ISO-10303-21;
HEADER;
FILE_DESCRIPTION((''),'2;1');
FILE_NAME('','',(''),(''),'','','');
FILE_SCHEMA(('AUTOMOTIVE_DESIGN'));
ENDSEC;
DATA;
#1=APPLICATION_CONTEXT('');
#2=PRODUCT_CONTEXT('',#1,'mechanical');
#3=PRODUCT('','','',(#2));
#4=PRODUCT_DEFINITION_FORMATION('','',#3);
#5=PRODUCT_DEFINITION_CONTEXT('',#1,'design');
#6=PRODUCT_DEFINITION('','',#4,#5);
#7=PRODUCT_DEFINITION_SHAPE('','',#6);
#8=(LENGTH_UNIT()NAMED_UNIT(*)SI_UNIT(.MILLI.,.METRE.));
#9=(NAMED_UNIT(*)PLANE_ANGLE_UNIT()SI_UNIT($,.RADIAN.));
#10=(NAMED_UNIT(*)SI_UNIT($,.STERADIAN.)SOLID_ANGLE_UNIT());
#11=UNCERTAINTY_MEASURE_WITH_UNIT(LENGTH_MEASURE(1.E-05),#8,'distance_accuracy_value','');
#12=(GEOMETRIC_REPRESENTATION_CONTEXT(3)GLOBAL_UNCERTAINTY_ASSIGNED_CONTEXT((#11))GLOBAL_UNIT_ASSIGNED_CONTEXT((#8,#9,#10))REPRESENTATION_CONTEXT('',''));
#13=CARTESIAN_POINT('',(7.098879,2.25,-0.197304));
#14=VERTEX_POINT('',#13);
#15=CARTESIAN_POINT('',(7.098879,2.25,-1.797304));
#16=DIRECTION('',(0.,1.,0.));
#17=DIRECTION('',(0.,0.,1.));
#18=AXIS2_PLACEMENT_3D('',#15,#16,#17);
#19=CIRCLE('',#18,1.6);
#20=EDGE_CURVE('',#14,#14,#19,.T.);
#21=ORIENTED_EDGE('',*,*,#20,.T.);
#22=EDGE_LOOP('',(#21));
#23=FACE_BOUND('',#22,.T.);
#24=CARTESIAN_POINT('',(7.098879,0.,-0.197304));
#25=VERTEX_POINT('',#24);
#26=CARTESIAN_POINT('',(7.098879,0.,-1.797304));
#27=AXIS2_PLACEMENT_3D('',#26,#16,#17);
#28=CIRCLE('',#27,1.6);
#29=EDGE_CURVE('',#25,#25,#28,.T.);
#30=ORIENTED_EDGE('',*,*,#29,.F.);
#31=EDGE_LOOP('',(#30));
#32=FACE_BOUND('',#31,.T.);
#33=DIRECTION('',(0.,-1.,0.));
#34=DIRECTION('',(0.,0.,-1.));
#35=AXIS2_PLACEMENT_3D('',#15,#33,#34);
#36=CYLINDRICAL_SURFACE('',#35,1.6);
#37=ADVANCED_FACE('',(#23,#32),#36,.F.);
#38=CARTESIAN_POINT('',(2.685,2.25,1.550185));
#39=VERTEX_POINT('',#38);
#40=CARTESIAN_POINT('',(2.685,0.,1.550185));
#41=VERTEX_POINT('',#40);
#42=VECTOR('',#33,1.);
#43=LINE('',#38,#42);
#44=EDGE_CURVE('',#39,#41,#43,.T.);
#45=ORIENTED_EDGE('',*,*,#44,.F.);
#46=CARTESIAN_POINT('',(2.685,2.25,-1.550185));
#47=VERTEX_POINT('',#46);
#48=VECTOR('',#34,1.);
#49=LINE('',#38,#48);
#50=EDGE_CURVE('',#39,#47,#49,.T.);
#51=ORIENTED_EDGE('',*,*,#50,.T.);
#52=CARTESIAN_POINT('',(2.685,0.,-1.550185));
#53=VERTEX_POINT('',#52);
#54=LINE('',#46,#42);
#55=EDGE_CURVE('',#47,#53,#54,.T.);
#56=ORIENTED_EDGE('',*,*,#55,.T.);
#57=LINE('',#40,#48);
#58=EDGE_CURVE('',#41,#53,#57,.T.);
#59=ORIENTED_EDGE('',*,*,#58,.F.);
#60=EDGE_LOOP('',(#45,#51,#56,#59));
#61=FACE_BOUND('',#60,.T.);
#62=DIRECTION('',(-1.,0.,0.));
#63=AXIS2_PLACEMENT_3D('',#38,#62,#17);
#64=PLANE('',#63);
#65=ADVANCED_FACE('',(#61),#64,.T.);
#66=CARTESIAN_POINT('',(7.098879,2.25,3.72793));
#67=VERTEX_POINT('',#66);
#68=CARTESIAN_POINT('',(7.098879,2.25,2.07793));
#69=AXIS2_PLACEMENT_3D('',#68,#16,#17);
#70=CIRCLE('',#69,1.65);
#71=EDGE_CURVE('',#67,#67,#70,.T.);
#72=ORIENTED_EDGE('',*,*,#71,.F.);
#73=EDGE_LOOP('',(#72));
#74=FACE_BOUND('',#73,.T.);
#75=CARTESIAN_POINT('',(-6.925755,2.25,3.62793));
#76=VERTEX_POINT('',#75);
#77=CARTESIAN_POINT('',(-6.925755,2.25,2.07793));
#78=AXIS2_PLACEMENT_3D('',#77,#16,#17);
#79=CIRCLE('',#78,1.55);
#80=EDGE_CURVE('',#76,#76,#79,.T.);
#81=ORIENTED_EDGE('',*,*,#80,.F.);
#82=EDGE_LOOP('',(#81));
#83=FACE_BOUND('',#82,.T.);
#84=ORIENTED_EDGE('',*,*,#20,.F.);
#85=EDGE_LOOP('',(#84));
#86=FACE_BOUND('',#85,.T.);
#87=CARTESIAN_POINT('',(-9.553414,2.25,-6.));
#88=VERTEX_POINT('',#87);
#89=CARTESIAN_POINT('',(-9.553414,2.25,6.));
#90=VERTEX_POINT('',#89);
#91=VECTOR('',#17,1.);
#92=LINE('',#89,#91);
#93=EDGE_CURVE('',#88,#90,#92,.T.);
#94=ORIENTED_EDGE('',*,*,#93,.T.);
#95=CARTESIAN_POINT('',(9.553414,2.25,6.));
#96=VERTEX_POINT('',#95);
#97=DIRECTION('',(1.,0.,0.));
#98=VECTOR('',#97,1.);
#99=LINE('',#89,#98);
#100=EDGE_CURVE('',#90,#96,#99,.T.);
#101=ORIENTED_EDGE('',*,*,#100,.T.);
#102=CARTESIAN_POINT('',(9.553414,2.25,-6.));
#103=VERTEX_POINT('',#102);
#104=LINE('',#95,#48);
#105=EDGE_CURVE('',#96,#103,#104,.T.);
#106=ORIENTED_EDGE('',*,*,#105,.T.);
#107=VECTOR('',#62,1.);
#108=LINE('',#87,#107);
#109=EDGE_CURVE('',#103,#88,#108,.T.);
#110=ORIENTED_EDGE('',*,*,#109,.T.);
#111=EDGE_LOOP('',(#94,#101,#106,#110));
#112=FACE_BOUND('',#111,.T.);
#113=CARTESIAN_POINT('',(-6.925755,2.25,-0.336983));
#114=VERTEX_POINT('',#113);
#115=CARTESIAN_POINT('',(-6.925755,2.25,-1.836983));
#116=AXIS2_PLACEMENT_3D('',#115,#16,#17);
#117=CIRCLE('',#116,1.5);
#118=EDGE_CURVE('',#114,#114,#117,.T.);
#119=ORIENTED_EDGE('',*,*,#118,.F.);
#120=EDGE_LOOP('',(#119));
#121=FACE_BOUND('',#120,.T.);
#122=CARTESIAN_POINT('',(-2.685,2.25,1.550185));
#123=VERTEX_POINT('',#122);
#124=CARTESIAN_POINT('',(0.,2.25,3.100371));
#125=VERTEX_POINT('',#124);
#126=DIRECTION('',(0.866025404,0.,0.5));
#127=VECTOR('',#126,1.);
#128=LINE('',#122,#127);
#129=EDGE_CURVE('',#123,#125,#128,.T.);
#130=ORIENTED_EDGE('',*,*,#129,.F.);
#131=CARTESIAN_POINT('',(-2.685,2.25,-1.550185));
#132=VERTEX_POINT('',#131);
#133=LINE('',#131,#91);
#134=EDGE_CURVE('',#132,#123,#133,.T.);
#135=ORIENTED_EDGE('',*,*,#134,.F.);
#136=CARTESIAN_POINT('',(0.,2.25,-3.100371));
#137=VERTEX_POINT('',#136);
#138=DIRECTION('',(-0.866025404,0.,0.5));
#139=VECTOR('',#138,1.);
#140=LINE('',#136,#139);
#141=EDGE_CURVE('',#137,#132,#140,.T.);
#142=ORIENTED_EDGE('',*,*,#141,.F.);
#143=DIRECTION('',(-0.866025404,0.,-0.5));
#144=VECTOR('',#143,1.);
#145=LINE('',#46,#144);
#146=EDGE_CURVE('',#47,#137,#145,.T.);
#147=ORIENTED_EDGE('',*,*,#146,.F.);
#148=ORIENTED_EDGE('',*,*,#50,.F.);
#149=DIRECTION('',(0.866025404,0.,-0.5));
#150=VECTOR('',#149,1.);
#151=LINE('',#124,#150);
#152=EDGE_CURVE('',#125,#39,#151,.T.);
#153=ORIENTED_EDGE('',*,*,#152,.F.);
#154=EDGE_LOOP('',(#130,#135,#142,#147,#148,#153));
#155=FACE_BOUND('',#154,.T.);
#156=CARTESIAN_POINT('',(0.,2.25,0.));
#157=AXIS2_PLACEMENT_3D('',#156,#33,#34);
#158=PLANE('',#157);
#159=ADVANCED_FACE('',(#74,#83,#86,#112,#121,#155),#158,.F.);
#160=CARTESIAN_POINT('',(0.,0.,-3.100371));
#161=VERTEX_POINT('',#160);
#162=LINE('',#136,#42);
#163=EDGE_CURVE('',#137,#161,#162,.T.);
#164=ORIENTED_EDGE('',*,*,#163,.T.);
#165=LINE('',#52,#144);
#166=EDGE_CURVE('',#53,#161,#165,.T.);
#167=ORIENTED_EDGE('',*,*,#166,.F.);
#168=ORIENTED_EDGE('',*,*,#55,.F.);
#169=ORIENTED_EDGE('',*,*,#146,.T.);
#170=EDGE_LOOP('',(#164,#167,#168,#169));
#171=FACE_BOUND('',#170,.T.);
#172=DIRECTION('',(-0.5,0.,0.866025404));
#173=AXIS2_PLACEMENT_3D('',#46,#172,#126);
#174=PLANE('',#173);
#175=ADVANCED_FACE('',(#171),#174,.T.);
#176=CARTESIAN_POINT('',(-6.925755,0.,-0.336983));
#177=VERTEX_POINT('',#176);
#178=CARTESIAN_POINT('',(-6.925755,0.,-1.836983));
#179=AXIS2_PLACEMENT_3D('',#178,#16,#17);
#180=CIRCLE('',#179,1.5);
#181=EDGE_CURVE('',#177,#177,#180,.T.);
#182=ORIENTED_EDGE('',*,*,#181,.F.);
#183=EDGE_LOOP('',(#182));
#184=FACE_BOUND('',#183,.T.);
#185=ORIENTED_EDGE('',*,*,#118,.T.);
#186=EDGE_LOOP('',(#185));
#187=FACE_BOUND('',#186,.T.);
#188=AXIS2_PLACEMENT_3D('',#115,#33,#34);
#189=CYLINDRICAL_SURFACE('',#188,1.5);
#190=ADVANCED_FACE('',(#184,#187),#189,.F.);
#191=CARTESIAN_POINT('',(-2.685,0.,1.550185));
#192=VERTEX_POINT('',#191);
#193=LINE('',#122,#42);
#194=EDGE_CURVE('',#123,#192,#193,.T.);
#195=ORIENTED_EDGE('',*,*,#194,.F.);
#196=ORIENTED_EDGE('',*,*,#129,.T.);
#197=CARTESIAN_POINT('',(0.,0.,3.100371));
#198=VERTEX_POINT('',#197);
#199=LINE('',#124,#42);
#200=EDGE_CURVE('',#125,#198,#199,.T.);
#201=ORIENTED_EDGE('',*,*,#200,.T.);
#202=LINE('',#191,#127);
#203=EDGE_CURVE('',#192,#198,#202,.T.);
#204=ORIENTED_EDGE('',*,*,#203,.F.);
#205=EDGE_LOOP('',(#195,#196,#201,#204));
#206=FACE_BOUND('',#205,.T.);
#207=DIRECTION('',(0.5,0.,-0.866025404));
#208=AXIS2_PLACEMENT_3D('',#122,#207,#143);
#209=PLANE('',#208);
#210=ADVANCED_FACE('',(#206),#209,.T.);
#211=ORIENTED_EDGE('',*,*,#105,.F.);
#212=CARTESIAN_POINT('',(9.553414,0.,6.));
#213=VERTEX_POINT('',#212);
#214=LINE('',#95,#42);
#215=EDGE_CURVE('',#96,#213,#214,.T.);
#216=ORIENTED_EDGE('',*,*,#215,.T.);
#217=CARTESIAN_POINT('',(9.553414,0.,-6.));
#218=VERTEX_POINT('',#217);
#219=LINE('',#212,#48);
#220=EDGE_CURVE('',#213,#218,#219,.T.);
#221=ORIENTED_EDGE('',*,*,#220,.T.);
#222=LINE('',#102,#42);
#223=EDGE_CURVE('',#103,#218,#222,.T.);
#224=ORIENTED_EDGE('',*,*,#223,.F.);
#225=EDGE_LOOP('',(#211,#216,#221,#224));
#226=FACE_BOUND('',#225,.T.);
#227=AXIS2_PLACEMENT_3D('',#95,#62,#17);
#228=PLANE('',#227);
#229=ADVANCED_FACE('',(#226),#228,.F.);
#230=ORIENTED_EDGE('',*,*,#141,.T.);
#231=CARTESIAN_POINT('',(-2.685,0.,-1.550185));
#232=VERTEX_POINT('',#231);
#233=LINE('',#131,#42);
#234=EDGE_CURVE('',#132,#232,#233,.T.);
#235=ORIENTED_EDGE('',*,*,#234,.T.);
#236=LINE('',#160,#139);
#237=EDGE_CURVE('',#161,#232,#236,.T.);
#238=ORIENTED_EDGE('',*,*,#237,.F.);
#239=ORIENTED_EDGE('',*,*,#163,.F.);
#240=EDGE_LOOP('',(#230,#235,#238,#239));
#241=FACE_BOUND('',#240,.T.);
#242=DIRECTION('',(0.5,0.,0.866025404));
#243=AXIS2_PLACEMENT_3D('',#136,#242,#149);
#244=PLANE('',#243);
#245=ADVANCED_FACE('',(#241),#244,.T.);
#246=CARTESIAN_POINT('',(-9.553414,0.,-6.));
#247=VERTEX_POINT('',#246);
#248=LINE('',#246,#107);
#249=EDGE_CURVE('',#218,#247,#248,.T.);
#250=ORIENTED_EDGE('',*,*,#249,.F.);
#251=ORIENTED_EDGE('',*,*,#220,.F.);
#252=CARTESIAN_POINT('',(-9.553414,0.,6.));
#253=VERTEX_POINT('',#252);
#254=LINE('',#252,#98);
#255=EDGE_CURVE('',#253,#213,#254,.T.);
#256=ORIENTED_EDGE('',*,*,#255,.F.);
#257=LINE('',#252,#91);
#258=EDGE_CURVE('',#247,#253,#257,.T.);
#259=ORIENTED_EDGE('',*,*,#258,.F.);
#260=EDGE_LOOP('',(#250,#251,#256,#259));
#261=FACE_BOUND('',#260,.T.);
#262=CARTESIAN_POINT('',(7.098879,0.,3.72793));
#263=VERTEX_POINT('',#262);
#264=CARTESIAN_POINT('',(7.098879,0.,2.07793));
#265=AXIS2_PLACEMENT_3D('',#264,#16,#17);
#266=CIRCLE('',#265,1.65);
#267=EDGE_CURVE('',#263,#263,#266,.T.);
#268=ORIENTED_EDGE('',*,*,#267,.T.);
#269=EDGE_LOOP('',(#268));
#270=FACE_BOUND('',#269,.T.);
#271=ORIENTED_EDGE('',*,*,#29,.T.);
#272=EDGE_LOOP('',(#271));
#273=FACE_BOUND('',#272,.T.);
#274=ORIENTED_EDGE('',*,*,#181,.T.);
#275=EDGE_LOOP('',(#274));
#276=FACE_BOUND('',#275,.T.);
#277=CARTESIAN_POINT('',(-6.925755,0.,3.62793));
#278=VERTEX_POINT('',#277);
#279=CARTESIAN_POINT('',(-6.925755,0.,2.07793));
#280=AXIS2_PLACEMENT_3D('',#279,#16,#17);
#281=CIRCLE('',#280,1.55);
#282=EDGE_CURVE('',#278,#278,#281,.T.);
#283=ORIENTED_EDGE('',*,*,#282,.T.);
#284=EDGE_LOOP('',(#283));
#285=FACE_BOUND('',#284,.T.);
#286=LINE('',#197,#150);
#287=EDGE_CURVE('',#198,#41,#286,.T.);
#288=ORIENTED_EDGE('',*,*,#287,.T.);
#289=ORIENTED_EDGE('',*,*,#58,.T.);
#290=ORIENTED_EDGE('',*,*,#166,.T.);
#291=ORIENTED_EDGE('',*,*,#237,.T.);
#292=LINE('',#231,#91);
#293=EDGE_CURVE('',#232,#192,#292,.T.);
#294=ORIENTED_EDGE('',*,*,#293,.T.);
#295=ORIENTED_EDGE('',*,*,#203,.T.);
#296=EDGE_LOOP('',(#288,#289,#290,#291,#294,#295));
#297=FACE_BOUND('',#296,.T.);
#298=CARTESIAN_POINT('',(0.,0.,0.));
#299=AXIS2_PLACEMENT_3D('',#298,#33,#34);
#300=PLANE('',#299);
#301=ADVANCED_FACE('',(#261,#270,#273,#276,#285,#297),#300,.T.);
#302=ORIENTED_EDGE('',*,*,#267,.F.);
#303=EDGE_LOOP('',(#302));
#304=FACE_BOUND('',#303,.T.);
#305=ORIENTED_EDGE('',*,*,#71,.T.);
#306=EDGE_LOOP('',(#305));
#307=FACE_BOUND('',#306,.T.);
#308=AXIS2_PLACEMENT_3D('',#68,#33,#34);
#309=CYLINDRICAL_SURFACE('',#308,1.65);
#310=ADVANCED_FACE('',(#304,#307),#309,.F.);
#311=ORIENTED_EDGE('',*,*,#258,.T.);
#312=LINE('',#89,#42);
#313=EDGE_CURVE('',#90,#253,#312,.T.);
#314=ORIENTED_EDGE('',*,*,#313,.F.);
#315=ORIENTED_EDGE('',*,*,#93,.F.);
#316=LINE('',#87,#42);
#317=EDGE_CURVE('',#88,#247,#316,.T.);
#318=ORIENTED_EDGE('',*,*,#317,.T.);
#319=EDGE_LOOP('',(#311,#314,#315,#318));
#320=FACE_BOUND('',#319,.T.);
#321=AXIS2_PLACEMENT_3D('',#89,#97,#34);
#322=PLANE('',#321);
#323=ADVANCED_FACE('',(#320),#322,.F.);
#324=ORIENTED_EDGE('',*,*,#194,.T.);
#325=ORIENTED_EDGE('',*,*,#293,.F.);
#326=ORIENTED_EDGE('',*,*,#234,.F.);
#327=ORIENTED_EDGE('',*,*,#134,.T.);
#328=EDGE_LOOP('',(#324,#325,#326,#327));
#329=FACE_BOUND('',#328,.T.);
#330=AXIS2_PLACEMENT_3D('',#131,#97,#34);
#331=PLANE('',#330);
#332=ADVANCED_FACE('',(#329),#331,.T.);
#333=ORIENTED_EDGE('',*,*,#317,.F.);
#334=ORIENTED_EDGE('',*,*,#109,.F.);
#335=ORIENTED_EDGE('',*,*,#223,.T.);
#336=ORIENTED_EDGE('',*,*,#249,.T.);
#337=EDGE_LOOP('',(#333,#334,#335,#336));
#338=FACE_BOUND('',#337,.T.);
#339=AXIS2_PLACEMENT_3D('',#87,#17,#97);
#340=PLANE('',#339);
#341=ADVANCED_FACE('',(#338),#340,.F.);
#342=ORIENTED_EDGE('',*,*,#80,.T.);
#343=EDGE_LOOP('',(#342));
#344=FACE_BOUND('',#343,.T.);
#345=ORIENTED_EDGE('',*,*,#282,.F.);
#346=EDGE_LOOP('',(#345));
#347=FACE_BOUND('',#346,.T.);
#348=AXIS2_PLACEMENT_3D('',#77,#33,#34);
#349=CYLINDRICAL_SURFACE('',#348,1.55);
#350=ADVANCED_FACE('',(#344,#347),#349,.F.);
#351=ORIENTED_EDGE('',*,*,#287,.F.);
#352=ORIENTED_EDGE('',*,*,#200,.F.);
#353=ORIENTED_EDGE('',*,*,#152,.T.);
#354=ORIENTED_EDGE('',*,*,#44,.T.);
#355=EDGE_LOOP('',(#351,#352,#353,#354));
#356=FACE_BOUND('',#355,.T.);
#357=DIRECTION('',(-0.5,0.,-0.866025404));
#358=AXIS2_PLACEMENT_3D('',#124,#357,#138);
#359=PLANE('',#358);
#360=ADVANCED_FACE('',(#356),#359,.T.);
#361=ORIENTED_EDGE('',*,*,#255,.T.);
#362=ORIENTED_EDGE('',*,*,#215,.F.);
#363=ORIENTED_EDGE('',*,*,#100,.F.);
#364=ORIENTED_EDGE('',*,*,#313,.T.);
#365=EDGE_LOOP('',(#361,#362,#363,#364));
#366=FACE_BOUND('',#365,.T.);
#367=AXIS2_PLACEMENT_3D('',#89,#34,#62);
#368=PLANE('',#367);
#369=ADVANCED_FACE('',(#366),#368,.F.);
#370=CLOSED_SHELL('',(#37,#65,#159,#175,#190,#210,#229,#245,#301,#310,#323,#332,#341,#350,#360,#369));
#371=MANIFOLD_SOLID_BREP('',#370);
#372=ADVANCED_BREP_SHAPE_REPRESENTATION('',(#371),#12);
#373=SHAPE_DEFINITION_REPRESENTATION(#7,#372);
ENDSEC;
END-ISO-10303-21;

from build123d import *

# Parameters (mm, degrees)
SKETCH1_W           = 19.106827842
SKETCH1_H           = 12
SKETCH1_R           = 1.5
SKETCH1_R_2         = 1.6
SKETCH1_R_3         = 1.65
SKETCH1_R_4         = 1.55
BOSS_EXTRUDE1_DEPTH = 2.25


with BuildPart() as part:
    # Sketch1 → Boss-Extrude1 (new body)
    with BuildSketch(Plane(origin=(0, 0, 0), x_dir=(1, 0, 0), z_dir=(0, 1, 0))):
        Rectangle(SKETCH1_W, SKETCH1_H)
        with Locations((-6.925755231, 1.836983108)):
            Circle(SKETCH1_R, mode=Mode.SUBTRACT)
        with Locations((7.098878727, 1.797303867)):
            Circle(SKETCH1_R_2, mode=Mode.SUBTRACT)
        with Locations((7.098878727, -2.077930101)):
            Circle(SKETCH1_R_3, mode=Mode.SUBTRACT)
        with Locations((-6.925755231, -2.077930101)):
            Circle(SKETCH1_R_4, mode=Mode.SUBTRACT)
        Polygon((2.685, 1.550185473), (0, 3.100370946), (-2.685, 1.550185473), (-2.685, -1.550185473), (0, -3.100370946), (2.685, -1.550185473), align=None, mode=Mode.SUBTRACT)
    extrude(amount=BOSS_EXTRUDE1_DEPTH)


solid = part.part
